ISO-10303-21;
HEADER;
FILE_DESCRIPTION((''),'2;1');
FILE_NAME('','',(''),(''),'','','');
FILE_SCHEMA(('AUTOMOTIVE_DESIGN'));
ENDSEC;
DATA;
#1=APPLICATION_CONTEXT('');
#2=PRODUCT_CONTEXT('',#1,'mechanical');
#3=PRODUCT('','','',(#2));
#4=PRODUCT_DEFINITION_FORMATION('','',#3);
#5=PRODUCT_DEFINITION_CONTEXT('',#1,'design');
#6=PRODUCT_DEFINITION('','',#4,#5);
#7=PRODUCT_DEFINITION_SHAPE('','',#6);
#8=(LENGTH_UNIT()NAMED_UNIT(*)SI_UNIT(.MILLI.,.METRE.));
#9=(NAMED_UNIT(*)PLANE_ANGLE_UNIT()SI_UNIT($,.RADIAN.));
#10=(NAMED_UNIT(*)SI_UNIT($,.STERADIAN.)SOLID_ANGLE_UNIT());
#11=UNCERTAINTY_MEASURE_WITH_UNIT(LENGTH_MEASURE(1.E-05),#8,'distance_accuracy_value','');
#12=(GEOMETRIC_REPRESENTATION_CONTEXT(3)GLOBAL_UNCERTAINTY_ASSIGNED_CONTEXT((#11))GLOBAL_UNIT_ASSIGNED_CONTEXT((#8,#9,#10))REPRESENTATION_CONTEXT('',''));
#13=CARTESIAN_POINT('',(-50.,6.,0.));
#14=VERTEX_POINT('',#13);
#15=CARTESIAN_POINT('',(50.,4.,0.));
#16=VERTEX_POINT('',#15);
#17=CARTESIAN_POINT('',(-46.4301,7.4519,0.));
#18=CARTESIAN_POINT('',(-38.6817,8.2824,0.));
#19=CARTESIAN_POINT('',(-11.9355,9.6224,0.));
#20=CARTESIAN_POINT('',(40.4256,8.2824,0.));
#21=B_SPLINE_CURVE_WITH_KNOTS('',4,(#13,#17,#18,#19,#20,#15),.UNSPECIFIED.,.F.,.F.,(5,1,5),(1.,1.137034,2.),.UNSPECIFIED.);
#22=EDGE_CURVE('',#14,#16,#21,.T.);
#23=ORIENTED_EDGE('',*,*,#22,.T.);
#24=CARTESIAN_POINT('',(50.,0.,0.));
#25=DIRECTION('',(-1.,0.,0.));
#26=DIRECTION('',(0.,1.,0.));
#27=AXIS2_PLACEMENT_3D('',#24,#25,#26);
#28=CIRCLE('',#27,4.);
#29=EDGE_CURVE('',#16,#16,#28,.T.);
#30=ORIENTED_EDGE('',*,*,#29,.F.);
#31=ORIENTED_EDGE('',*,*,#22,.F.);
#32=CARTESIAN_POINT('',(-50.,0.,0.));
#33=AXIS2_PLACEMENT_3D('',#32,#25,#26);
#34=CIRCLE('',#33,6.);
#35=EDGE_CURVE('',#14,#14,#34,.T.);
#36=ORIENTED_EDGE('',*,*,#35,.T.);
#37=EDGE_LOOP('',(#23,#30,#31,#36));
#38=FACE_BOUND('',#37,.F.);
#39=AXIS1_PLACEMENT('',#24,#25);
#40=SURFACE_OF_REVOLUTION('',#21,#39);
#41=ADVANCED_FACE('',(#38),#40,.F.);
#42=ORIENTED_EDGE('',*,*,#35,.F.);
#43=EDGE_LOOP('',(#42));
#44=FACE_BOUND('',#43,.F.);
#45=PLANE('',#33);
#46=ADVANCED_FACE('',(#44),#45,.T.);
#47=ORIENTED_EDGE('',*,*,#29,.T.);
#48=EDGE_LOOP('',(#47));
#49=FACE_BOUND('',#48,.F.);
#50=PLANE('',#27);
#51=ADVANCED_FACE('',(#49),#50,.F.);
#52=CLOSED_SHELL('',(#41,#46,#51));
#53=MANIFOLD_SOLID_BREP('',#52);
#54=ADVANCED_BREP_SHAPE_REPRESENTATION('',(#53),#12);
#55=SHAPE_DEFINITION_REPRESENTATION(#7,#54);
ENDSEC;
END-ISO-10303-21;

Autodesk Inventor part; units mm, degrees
ref_plane "YZ Plane" through (0, 0, 0) normal (1, 0, 0) x (0, 1, 0)
ref_plane "XZ Plane" through (0, 0, 0) normal (0, 1, 0) x (-1, 0, 0)
ref_plane "XY Plane" through (0, 0, 0) normal (0, 0, 1) x (1, 0, 0)
sketch "Sketch3" plane through (0, 0, 0) normal (0, 0, 1) x (1, 0, 0)
  line L0 (50, 4) -> (50, 0)
  line L1 (50, 0) -> (-50, 0)
  line L2 (-50, 0) -> (-50, 6)
  line L3 (-50, 6) -> (-46.4301, 7.4519) construction
  line L4 (40.4256, 8.2824) -> (50, 4) construction
  spline S0 degree 4 poles (-50, 6) (-46.4301, 7.4519) (-38.6817, 8.2824) (-11.9355, 9.6224) (40.4256, 8.2824) (50, 4) knots 1 1 1 1 1 1.137034 2 2 2 2 2
  line L5 (-46.4301, 7.4519) -> (-38.6817, 8.2824) construction
  line L6 (-38.6817, 8.2824) -> (-11.9355, 9.6224) construction
  line L7 (-11.9355, 9.6224) -> (40.4256, 8.2824) construction
  point P0 (0, 0)
  dimension "d1" = 100
  dimension "d2" = 6
  dimension "d3" = 4
  dimension "d10" = 50
revolve "Revolution1" add sketch "Sketch3" angle 360 about axis through (50, 0, 0) along (-1, 0, 0)
equation "\"d10\" = 0.5 * d1"
properties part number "parker-penw"
